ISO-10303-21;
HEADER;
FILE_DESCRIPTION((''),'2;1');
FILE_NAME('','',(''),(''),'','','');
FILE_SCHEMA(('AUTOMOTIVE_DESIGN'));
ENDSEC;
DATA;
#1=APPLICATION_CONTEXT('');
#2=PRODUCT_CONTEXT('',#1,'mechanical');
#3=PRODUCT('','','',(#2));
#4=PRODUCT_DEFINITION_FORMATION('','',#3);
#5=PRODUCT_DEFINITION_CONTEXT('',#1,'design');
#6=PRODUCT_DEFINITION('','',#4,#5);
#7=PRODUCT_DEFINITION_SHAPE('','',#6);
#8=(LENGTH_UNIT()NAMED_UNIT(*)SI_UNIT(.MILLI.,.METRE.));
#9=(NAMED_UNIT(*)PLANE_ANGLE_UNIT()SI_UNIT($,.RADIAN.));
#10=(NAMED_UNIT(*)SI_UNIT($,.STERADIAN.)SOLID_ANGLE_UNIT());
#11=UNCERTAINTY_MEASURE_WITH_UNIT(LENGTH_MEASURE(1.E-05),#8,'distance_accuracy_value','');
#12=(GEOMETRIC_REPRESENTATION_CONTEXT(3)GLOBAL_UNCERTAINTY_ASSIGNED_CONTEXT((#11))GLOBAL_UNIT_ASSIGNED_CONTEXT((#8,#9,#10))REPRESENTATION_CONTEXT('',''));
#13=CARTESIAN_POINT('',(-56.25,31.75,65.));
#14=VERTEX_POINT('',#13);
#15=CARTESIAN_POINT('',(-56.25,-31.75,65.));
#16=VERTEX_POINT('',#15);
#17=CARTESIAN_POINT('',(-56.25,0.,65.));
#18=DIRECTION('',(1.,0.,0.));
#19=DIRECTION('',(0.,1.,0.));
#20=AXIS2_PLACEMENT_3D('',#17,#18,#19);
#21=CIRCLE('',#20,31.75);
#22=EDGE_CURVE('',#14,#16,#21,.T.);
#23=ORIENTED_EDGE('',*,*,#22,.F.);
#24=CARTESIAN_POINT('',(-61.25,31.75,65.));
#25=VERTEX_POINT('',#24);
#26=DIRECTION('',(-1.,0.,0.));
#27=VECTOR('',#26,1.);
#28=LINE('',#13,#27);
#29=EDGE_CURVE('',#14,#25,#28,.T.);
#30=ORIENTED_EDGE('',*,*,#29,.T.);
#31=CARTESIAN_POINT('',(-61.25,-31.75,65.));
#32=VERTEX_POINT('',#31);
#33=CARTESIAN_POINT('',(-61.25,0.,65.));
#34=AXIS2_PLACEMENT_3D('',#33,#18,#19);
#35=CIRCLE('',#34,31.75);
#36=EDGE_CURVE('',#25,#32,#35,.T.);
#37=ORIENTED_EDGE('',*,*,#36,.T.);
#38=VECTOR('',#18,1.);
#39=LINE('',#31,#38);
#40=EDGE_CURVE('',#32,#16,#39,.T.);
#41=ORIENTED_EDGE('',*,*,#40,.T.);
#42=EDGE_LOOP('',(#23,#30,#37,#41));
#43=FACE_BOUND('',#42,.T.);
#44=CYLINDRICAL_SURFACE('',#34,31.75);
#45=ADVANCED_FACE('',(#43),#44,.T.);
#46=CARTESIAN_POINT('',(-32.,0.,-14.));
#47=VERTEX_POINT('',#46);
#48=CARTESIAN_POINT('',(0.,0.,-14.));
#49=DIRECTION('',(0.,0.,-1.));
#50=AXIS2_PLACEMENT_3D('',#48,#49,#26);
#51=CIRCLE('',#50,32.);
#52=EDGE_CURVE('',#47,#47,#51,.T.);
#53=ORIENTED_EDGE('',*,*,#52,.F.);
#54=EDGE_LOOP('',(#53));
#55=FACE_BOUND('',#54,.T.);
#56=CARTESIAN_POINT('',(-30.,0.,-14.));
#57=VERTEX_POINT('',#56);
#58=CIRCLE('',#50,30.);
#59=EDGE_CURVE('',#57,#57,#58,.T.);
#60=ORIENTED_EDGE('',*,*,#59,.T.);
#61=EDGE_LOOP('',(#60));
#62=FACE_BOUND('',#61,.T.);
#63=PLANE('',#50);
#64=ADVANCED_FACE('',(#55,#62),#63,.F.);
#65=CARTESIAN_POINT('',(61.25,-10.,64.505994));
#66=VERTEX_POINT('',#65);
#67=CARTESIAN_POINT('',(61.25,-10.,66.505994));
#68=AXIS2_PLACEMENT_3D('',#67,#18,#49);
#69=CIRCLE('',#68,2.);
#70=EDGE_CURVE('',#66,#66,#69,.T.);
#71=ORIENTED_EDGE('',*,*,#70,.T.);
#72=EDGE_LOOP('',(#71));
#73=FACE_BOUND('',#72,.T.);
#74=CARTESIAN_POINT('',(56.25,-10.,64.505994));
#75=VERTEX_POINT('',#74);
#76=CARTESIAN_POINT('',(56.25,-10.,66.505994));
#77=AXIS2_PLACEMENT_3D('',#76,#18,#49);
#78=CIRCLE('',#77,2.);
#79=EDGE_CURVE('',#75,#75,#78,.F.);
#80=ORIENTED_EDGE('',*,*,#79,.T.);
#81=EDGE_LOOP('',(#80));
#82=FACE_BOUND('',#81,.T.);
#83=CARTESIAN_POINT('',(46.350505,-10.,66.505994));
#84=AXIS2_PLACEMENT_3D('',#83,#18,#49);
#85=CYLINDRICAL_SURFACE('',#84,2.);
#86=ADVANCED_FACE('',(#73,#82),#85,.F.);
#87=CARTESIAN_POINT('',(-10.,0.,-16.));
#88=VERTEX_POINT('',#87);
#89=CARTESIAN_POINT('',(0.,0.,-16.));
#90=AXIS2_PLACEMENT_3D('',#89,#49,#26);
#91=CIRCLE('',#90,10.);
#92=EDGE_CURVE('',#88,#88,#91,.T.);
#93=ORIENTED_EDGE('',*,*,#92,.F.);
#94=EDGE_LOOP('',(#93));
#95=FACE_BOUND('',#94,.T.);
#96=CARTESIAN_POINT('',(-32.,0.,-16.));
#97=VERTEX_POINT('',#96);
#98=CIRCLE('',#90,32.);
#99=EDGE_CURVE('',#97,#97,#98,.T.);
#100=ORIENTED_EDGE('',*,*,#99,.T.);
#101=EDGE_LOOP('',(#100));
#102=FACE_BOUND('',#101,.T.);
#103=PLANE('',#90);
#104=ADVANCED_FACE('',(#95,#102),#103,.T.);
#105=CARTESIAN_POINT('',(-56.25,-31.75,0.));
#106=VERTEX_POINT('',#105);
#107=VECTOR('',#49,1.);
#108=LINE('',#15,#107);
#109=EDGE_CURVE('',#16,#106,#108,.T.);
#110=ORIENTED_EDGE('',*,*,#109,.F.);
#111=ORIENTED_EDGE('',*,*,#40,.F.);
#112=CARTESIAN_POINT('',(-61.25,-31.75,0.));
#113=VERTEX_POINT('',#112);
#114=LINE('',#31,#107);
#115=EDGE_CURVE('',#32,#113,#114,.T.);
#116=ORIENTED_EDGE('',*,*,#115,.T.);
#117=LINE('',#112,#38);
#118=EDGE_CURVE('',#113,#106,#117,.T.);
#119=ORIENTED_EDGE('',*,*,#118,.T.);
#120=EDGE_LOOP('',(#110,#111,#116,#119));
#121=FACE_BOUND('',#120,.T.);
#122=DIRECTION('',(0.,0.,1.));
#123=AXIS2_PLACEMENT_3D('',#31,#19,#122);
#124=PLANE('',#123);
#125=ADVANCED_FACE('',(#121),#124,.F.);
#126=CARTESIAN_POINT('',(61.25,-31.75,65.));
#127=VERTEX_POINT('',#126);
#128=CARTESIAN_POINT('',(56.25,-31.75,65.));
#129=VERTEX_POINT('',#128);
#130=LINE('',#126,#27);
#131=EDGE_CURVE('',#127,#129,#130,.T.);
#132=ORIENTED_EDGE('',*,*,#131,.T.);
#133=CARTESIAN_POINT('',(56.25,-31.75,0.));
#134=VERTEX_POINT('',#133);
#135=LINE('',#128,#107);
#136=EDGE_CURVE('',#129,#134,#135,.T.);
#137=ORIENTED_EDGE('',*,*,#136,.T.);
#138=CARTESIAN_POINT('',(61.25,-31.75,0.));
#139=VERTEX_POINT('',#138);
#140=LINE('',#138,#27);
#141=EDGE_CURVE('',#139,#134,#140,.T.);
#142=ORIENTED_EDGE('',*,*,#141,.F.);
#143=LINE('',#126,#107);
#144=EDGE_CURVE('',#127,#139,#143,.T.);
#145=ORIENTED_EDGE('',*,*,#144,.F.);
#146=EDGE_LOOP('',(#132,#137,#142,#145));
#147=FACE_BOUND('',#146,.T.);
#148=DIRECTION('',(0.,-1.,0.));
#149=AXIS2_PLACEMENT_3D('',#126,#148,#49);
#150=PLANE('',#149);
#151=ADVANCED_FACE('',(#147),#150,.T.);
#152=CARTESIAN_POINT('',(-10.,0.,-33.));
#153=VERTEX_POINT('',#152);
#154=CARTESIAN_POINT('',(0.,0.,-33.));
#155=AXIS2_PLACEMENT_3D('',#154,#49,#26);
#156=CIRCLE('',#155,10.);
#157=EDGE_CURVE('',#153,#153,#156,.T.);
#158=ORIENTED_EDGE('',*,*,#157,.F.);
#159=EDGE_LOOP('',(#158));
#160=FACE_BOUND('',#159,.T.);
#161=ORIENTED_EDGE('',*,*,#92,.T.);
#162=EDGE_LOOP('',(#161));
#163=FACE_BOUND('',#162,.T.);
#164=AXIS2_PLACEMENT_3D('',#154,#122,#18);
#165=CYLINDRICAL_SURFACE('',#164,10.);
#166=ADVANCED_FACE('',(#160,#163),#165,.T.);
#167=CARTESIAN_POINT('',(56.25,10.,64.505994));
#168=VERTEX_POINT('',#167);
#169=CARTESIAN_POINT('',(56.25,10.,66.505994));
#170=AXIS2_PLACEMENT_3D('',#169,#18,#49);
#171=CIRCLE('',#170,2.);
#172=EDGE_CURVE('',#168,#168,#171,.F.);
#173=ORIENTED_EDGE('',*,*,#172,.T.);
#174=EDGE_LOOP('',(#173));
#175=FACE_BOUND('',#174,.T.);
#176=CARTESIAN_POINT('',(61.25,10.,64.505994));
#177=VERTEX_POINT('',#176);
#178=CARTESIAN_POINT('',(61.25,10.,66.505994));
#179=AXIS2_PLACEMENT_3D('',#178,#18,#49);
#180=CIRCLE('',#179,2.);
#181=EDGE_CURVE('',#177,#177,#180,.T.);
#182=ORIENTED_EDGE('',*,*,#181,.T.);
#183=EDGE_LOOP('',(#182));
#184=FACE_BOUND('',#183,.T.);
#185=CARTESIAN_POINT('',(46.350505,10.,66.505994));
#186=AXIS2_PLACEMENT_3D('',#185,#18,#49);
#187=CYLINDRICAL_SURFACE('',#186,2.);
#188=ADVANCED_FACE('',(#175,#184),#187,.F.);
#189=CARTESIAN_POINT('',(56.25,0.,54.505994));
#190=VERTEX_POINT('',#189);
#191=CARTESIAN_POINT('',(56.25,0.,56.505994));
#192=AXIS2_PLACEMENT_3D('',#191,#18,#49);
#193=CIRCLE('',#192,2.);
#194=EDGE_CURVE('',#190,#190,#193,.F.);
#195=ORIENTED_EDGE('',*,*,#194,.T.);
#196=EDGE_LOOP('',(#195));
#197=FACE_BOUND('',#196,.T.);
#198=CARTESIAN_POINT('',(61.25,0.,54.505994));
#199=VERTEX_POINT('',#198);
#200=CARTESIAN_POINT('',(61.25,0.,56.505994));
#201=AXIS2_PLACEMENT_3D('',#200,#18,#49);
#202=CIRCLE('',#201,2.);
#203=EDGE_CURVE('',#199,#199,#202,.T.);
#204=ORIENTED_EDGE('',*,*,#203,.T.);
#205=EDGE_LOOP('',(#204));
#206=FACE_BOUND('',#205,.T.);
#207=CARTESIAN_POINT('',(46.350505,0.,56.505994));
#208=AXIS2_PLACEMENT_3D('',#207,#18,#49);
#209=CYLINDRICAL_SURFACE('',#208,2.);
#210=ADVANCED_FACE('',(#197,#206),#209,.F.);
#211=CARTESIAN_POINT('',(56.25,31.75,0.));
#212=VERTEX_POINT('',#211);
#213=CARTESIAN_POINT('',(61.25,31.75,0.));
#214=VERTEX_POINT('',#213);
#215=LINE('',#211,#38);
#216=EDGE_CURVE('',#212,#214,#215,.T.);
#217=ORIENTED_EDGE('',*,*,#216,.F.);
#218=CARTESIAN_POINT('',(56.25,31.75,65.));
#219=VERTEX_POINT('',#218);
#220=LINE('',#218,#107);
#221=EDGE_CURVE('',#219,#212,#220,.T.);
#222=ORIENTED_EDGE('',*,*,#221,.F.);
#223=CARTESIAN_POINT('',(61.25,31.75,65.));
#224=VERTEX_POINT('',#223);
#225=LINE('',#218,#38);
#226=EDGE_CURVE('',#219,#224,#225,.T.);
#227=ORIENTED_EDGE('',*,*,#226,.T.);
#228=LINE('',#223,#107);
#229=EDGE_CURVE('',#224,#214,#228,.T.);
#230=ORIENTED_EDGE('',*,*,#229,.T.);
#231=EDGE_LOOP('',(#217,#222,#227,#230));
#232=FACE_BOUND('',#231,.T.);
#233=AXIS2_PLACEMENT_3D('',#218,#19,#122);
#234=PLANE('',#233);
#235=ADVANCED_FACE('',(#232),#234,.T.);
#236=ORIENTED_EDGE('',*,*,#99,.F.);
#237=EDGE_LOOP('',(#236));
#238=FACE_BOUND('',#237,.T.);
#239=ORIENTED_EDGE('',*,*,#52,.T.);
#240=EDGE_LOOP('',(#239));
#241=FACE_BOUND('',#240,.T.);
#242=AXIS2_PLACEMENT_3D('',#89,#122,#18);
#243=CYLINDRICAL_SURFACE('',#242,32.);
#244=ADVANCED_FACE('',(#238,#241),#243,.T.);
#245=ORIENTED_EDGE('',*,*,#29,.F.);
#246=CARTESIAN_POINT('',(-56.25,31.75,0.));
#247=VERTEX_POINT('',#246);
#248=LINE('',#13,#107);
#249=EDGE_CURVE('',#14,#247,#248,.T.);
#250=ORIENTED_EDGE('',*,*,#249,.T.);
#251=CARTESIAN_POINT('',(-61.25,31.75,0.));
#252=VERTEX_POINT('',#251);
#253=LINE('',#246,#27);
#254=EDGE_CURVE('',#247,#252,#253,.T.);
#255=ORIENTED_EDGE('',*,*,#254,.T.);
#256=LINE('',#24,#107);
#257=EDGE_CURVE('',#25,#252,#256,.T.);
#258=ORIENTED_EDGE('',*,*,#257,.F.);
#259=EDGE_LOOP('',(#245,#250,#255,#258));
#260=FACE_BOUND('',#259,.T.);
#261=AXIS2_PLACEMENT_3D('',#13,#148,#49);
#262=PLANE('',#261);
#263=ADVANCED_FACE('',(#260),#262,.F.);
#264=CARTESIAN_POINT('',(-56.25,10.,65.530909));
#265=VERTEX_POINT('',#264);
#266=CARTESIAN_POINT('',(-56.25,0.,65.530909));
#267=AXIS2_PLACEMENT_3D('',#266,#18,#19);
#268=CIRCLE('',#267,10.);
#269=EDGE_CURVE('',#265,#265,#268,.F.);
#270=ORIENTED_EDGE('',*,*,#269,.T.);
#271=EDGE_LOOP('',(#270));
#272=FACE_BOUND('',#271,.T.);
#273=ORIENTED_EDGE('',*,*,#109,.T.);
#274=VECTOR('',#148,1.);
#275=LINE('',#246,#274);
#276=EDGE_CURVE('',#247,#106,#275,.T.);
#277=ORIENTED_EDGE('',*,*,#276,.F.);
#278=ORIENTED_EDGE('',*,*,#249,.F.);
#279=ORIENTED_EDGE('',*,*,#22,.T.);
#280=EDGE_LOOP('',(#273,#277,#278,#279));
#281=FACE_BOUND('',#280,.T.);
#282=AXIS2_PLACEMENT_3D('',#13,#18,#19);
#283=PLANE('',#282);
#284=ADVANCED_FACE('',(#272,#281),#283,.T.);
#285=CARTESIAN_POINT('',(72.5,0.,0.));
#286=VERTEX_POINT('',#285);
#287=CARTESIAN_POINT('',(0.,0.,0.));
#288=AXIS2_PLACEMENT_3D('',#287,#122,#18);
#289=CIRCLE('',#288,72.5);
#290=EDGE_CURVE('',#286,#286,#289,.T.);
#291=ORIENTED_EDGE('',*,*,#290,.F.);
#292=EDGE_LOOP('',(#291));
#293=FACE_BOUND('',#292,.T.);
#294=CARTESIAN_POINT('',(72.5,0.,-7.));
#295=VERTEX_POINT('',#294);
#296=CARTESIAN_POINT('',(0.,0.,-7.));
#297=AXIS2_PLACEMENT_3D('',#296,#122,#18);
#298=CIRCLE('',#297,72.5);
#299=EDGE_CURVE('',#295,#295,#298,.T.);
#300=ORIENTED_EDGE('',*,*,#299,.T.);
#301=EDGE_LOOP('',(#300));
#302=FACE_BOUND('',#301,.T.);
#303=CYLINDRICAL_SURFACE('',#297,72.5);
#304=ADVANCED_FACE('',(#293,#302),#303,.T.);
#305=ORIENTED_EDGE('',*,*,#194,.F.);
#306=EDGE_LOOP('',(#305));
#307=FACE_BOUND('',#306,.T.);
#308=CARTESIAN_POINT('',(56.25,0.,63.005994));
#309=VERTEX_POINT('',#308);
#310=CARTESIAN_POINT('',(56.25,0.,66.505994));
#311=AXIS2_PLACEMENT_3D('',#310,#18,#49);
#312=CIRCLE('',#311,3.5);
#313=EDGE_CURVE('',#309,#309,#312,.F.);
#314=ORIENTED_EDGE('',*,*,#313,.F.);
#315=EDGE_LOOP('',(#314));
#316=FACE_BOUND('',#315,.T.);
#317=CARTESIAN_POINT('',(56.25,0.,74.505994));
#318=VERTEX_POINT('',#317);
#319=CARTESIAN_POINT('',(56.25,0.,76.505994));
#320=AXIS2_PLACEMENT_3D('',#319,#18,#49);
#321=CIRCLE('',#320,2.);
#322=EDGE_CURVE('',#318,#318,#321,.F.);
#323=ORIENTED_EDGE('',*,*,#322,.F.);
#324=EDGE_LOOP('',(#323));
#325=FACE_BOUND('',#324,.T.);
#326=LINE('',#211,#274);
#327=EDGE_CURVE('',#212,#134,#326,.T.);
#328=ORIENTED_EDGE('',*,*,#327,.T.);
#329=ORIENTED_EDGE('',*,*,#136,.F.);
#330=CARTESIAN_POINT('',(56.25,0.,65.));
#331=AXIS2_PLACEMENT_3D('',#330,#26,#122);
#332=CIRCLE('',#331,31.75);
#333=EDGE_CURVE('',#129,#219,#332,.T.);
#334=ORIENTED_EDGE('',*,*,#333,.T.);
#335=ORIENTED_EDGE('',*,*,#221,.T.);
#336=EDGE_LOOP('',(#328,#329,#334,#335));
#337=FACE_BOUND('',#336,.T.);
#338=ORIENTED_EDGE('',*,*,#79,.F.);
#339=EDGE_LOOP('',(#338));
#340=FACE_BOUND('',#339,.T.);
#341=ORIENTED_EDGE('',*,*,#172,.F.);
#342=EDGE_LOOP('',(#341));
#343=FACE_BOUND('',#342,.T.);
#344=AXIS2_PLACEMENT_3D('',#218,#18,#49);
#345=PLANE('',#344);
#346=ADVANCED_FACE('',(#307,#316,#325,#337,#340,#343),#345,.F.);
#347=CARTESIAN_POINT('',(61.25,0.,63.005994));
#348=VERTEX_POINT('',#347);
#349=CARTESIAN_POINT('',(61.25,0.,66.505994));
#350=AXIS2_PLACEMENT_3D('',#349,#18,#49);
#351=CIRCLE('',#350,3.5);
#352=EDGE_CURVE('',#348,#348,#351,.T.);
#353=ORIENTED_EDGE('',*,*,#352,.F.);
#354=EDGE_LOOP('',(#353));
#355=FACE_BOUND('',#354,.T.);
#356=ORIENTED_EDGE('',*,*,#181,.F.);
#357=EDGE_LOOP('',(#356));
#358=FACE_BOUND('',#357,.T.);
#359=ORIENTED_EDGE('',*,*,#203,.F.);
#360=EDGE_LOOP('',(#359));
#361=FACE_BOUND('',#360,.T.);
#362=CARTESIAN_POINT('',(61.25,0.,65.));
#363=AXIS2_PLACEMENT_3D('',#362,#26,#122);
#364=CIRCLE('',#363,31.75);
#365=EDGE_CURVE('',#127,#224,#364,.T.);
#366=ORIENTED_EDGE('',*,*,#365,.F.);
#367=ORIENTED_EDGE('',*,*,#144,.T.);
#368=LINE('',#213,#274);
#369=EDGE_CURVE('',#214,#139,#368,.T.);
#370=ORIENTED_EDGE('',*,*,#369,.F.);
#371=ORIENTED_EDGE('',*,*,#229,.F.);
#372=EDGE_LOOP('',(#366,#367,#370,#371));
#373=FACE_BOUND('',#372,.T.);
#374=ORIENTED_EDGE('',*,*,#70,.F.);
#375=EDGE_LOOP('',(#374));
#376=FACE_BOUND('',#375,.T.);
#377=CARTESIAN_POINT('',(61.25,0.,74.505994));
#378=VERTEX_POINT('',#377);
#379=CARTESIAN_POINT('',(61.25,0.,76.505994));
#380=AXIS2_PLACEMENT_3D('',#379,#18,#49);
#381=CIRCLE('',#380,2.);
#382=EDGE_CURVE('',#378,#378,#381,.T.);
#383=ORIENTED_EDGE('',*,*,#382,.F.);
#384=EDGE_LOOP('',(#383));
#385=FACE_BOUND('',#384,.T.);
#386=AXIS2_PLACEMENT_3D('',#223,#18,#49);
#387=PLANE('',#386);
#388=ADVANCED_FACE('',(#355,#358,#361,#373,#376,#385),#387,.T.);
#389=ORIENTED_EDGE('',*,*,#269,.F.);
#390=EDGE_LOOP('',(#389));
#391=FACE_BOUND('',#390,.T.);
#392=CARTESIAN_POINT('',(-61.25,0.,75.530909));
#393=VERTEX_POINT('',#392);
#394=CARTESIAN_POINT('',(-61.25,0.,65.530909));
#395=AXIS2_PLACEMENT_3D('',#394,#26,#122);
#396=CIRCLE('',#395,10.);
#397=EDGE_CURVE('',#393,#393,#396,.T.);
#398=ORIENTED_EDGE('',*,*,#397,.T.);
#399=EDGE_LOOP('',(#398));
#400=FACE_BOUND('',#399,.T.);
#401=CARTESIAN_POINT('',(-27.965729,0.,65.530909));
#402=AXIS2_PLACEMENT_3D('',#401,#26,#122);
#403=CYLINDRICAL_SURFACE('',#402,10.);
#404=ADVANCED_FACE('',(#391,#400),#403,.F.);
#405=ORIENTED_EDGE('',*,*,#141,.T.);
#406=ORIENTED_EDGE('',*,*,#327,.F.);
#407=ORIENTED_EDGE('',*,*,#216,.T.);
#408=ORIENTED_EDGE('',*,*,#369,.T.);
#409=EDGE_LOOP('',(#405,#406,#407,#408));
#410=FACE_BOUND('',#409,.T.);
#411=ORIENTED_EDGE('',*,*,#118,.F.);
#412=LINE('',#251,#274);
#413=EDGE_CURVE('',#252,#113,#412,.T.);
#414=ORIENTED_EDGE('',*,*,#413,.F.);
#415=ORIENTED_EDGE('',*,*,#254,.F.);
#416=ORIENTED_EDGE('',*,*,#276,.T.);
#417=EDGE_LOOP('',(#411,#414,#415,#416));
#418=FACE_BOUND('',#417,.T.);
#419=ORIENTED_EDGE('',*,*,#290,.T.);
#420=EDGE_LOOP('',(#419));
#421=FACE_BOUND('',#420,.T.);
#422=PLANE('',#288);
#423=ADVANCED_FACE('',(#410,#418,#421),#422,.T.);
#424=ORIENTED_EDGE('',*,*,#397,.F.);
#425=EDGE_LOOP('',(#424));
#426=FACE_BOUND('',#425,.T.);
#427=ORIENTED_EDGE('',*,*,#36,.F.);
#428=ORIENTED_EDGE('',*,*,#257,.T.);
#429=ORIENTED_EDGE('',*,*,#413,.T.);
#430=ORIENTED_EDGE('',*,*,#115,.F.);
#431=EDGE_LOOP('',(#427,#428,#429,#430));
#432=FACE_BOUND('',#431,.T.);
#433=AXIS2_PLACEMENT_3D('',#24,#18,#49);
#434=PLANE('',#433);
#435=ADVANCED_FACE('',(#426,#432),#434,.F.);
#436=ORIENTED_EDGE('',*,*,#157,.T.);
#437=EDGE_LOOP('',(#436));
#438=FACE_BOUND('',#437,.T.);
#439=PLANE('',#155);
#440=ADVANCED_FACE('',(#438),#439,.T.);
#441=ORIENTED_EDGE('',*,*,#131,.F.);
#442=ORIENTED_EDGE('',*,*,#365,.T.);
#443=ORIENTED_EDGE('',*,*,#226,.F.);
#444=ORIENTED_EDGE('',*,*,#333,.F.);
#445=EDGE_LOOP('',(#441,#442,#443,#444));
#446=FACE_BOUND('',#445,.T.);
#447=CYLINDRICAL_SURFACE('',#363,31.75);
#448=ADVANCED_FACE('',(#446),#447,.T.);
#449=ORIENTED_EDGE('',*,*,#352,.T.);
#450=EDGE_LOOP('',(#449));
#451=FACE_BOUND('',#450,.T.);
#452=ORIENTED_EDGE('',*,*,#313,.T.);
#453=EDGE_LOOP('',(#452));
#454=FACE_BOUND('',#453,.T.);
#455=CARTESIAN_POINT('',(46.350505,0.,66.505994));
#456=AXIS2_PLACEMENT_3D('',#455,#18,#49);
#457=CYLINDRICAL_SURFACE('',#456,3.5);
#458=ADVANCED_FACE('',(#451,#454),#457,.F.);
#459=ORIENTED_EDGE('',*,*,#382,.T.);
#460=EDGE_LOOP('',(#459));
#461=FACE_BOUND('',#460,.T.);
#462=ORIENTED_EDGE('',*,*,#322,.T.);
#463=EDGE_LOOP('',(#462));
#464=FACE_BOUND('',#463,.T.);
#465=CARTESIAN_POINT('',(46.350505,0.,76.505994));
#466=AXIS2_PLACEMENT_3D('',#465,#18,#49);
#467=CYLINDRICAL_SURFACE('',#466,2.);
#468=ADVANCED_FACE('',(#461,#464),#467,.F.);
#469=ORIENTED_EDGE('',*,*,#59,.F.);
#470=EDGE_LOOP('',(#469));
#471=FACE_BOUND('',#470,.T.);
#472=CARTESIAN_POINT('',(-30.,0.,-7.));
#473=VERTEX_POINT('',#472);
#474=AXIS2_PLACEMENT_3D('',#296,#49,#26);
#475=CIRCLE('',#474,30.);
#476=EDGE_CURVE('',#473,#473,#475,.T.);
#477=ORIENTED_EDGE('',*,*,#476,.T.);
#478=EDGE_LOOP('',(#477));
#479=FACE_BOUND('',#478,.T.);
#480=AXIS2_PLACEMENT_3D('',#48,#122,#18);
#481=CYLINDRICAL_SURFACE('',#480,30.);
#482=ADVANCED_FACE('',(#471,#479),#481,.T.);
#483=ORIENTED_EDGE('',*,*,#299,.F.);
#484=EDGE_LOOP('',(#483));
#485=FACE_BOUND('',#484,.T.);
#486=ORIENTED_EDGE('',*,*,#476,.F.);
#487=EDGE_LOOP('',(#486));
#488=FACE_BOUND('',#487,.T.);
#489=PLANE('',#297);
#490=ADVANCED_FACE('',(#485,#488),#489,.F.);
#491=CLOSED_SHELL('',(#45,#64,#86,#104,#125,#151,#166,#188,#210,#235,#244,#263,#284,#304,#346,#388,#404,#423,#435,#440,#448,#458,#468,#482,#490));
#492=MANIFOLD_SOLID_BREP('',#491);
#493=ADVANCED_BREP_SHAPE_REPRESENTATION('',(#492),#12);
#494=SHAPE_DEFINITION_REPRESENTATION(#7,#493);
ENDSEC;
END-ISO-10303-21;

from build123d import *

# Parameters (mm, degrees)
SKETCH1_W             = 5
SKETCH1_H             = 63.5
BOSS_EXTRUDE1_DEPTH   = 65
BOSS_EXTRUDE1_2_DEPTH = 65
SKETCH1_4_R           = 72.5
BOSS_EXTRUDE2_DEPTH   = 7
BOSS_EXTRUDE3_DEPTH   = 5
BOSS_EXTRUDE4_START   = -5
BOSS_EXTRUDE4_DEPTH   = 5
SKETCH4_R             = 30
BOSS_EXTRUDE5_DEPTH   = 7
SKETCH5_R             = 32
BOSS_EXTRUDE6_DEPTH   = 2
SKETCH6_R             = 10
BOSS_EXTRUDE7_DEPTH   = 17
SKETCH13_R            = 3.5
SKETCH13_R_2          = 2
CUT_EXTRUDE3_DEPTH    = 5
SKETCH14_R            = 10
CUT_EXTRUDE4_DEPTH    = 5


with BuildPart() as part:
    # Sketch1 → Boss-Extrude1 (new body)
    with BuildSketch(Plane.XY):
        with Locations((58.75, 0)):
            Rectangle(SKETCH1_W, SKETCH1_H)
    extrude(amount=BOSS_EXTRUDE1_DEPTH)



with BuildPart() as body_2:
    # Sketch1 → Boss-Extrude1 2 (new body)
    with BuildSketch(Plane.XY):
        with Locations((-58.75, 0)):
            Rectangle(SKETCH1_W, SKETCH1_H)
    extrude(amount=BOSS_EXTRUDE1_2_DEPTH)


with BuildPart() as part_1:
    add(part.part)

    add(body_2.part)  # Boss-Extrude2 merges body 2
    # Sketch1<4> → Boss-Extrude2 (add)
    with BuildSketch(Plane.XY):
        Circle(SKETCH1_4_R)
    extrude(amount=-BOSS_EXTRUDE2_DEPTH)

    # Sketch2 → Boss-Extrude3 (add)
    with BuildSketch(Plane.ZY.offset(-56.25)):
        with BuildLine():
            Line((65, -31.75), (65, 31.75))
            ThreePointArc((65, 31.75), (96.75, 0), (65, -31.75))
        make_face()
    extrude(amount=-BOSS_EXTRUDE3_DEPTH)

    # Sketch3 → Boss-Extrude4 (add)
    with BuildSketch(Plane(origin=(-56.25, 0, 0), x_dir=(0, 0, -1), z_dir=(1, 0, 0)).offset(BOSS_EXTRUDE4_START)):
        with BuildLine():
            Line((-65, 31.75), (-65, -31.75))
            ThreePointArc((-65, -31.75), (-96.75, 0), (-65, 31.75))
        make_face()
    extrude(amount=BOSS_EXTRUDE4_DEPTH)

    # Sketch4 → Boss-Extrude5 (add)
    with BuildSketch(Plane(origin=(0, 0, -7), x_dir=(-1, 0, 0), z_dir=(0, 0, -1))):
        Circle(SKETCH4_R)
    extrude(amount=BOSS_EXTRUDE5_DEPTH)

    # Sketch5 → Boss-Extrude6 (add)
    with BuildSketch(Plane(origin=(0, 0, -14), x_dir=(-1, 0, 0), z_dir=(0, 0, -1))):
        Circle(SKETCH5_R)
    extrude(amount=BOSS_EXTRUDE6_DEPTH)

    # Sketch6 → Boss-Extrude7 (add)
    with BuildSketch(Plane(origin=(0, 0, -16), x_dir=(-1, 0, 0), z_dir=(0, 0, -1))):
        Circle(SKETCH6_R)
    extrude(amount=BOSS_EXTRUDE7_DEPTH)

    # Sketch13 → Cut-Extrude3 (cut)
    with BuildSketch(Plane(origin=(61.25, 0, 0), x_dir=(0, 0, -1), z_dir=(1, 0, 0))):
        with Locations((-66.505993966, 0)):
            Circle(SKETCH13_R)
        with Locations((-76.505993966, 0)):
            Circle(SKETCH13_R_2)
        with Locations((-66.505993966, -10)):
            Circle(SKETCH13_R_2)
        with Locations((-56.505993966, 0)):
            Circle(SKETCH13_R_2)
        with Locations((-66.505993966, 10)):
            Circle(SKETCH13_R_2)
    extrude(amount=-CUT_EXTRUDE3_DEPTH, mode=Mode.SUBTRACT)

    # Sketch14 → Cut-Extrude4 (cut)
    with BuildSketch(Plane.ZY.offset(61.25)):
        with Locations((65.530908604, 0)):
            Circle(SKETCH14_R)
    extrude(amount=-CUT_EXTRUDE4_DEPTH, mode=Mode.SUBTRACT)


solid = part_1.part
